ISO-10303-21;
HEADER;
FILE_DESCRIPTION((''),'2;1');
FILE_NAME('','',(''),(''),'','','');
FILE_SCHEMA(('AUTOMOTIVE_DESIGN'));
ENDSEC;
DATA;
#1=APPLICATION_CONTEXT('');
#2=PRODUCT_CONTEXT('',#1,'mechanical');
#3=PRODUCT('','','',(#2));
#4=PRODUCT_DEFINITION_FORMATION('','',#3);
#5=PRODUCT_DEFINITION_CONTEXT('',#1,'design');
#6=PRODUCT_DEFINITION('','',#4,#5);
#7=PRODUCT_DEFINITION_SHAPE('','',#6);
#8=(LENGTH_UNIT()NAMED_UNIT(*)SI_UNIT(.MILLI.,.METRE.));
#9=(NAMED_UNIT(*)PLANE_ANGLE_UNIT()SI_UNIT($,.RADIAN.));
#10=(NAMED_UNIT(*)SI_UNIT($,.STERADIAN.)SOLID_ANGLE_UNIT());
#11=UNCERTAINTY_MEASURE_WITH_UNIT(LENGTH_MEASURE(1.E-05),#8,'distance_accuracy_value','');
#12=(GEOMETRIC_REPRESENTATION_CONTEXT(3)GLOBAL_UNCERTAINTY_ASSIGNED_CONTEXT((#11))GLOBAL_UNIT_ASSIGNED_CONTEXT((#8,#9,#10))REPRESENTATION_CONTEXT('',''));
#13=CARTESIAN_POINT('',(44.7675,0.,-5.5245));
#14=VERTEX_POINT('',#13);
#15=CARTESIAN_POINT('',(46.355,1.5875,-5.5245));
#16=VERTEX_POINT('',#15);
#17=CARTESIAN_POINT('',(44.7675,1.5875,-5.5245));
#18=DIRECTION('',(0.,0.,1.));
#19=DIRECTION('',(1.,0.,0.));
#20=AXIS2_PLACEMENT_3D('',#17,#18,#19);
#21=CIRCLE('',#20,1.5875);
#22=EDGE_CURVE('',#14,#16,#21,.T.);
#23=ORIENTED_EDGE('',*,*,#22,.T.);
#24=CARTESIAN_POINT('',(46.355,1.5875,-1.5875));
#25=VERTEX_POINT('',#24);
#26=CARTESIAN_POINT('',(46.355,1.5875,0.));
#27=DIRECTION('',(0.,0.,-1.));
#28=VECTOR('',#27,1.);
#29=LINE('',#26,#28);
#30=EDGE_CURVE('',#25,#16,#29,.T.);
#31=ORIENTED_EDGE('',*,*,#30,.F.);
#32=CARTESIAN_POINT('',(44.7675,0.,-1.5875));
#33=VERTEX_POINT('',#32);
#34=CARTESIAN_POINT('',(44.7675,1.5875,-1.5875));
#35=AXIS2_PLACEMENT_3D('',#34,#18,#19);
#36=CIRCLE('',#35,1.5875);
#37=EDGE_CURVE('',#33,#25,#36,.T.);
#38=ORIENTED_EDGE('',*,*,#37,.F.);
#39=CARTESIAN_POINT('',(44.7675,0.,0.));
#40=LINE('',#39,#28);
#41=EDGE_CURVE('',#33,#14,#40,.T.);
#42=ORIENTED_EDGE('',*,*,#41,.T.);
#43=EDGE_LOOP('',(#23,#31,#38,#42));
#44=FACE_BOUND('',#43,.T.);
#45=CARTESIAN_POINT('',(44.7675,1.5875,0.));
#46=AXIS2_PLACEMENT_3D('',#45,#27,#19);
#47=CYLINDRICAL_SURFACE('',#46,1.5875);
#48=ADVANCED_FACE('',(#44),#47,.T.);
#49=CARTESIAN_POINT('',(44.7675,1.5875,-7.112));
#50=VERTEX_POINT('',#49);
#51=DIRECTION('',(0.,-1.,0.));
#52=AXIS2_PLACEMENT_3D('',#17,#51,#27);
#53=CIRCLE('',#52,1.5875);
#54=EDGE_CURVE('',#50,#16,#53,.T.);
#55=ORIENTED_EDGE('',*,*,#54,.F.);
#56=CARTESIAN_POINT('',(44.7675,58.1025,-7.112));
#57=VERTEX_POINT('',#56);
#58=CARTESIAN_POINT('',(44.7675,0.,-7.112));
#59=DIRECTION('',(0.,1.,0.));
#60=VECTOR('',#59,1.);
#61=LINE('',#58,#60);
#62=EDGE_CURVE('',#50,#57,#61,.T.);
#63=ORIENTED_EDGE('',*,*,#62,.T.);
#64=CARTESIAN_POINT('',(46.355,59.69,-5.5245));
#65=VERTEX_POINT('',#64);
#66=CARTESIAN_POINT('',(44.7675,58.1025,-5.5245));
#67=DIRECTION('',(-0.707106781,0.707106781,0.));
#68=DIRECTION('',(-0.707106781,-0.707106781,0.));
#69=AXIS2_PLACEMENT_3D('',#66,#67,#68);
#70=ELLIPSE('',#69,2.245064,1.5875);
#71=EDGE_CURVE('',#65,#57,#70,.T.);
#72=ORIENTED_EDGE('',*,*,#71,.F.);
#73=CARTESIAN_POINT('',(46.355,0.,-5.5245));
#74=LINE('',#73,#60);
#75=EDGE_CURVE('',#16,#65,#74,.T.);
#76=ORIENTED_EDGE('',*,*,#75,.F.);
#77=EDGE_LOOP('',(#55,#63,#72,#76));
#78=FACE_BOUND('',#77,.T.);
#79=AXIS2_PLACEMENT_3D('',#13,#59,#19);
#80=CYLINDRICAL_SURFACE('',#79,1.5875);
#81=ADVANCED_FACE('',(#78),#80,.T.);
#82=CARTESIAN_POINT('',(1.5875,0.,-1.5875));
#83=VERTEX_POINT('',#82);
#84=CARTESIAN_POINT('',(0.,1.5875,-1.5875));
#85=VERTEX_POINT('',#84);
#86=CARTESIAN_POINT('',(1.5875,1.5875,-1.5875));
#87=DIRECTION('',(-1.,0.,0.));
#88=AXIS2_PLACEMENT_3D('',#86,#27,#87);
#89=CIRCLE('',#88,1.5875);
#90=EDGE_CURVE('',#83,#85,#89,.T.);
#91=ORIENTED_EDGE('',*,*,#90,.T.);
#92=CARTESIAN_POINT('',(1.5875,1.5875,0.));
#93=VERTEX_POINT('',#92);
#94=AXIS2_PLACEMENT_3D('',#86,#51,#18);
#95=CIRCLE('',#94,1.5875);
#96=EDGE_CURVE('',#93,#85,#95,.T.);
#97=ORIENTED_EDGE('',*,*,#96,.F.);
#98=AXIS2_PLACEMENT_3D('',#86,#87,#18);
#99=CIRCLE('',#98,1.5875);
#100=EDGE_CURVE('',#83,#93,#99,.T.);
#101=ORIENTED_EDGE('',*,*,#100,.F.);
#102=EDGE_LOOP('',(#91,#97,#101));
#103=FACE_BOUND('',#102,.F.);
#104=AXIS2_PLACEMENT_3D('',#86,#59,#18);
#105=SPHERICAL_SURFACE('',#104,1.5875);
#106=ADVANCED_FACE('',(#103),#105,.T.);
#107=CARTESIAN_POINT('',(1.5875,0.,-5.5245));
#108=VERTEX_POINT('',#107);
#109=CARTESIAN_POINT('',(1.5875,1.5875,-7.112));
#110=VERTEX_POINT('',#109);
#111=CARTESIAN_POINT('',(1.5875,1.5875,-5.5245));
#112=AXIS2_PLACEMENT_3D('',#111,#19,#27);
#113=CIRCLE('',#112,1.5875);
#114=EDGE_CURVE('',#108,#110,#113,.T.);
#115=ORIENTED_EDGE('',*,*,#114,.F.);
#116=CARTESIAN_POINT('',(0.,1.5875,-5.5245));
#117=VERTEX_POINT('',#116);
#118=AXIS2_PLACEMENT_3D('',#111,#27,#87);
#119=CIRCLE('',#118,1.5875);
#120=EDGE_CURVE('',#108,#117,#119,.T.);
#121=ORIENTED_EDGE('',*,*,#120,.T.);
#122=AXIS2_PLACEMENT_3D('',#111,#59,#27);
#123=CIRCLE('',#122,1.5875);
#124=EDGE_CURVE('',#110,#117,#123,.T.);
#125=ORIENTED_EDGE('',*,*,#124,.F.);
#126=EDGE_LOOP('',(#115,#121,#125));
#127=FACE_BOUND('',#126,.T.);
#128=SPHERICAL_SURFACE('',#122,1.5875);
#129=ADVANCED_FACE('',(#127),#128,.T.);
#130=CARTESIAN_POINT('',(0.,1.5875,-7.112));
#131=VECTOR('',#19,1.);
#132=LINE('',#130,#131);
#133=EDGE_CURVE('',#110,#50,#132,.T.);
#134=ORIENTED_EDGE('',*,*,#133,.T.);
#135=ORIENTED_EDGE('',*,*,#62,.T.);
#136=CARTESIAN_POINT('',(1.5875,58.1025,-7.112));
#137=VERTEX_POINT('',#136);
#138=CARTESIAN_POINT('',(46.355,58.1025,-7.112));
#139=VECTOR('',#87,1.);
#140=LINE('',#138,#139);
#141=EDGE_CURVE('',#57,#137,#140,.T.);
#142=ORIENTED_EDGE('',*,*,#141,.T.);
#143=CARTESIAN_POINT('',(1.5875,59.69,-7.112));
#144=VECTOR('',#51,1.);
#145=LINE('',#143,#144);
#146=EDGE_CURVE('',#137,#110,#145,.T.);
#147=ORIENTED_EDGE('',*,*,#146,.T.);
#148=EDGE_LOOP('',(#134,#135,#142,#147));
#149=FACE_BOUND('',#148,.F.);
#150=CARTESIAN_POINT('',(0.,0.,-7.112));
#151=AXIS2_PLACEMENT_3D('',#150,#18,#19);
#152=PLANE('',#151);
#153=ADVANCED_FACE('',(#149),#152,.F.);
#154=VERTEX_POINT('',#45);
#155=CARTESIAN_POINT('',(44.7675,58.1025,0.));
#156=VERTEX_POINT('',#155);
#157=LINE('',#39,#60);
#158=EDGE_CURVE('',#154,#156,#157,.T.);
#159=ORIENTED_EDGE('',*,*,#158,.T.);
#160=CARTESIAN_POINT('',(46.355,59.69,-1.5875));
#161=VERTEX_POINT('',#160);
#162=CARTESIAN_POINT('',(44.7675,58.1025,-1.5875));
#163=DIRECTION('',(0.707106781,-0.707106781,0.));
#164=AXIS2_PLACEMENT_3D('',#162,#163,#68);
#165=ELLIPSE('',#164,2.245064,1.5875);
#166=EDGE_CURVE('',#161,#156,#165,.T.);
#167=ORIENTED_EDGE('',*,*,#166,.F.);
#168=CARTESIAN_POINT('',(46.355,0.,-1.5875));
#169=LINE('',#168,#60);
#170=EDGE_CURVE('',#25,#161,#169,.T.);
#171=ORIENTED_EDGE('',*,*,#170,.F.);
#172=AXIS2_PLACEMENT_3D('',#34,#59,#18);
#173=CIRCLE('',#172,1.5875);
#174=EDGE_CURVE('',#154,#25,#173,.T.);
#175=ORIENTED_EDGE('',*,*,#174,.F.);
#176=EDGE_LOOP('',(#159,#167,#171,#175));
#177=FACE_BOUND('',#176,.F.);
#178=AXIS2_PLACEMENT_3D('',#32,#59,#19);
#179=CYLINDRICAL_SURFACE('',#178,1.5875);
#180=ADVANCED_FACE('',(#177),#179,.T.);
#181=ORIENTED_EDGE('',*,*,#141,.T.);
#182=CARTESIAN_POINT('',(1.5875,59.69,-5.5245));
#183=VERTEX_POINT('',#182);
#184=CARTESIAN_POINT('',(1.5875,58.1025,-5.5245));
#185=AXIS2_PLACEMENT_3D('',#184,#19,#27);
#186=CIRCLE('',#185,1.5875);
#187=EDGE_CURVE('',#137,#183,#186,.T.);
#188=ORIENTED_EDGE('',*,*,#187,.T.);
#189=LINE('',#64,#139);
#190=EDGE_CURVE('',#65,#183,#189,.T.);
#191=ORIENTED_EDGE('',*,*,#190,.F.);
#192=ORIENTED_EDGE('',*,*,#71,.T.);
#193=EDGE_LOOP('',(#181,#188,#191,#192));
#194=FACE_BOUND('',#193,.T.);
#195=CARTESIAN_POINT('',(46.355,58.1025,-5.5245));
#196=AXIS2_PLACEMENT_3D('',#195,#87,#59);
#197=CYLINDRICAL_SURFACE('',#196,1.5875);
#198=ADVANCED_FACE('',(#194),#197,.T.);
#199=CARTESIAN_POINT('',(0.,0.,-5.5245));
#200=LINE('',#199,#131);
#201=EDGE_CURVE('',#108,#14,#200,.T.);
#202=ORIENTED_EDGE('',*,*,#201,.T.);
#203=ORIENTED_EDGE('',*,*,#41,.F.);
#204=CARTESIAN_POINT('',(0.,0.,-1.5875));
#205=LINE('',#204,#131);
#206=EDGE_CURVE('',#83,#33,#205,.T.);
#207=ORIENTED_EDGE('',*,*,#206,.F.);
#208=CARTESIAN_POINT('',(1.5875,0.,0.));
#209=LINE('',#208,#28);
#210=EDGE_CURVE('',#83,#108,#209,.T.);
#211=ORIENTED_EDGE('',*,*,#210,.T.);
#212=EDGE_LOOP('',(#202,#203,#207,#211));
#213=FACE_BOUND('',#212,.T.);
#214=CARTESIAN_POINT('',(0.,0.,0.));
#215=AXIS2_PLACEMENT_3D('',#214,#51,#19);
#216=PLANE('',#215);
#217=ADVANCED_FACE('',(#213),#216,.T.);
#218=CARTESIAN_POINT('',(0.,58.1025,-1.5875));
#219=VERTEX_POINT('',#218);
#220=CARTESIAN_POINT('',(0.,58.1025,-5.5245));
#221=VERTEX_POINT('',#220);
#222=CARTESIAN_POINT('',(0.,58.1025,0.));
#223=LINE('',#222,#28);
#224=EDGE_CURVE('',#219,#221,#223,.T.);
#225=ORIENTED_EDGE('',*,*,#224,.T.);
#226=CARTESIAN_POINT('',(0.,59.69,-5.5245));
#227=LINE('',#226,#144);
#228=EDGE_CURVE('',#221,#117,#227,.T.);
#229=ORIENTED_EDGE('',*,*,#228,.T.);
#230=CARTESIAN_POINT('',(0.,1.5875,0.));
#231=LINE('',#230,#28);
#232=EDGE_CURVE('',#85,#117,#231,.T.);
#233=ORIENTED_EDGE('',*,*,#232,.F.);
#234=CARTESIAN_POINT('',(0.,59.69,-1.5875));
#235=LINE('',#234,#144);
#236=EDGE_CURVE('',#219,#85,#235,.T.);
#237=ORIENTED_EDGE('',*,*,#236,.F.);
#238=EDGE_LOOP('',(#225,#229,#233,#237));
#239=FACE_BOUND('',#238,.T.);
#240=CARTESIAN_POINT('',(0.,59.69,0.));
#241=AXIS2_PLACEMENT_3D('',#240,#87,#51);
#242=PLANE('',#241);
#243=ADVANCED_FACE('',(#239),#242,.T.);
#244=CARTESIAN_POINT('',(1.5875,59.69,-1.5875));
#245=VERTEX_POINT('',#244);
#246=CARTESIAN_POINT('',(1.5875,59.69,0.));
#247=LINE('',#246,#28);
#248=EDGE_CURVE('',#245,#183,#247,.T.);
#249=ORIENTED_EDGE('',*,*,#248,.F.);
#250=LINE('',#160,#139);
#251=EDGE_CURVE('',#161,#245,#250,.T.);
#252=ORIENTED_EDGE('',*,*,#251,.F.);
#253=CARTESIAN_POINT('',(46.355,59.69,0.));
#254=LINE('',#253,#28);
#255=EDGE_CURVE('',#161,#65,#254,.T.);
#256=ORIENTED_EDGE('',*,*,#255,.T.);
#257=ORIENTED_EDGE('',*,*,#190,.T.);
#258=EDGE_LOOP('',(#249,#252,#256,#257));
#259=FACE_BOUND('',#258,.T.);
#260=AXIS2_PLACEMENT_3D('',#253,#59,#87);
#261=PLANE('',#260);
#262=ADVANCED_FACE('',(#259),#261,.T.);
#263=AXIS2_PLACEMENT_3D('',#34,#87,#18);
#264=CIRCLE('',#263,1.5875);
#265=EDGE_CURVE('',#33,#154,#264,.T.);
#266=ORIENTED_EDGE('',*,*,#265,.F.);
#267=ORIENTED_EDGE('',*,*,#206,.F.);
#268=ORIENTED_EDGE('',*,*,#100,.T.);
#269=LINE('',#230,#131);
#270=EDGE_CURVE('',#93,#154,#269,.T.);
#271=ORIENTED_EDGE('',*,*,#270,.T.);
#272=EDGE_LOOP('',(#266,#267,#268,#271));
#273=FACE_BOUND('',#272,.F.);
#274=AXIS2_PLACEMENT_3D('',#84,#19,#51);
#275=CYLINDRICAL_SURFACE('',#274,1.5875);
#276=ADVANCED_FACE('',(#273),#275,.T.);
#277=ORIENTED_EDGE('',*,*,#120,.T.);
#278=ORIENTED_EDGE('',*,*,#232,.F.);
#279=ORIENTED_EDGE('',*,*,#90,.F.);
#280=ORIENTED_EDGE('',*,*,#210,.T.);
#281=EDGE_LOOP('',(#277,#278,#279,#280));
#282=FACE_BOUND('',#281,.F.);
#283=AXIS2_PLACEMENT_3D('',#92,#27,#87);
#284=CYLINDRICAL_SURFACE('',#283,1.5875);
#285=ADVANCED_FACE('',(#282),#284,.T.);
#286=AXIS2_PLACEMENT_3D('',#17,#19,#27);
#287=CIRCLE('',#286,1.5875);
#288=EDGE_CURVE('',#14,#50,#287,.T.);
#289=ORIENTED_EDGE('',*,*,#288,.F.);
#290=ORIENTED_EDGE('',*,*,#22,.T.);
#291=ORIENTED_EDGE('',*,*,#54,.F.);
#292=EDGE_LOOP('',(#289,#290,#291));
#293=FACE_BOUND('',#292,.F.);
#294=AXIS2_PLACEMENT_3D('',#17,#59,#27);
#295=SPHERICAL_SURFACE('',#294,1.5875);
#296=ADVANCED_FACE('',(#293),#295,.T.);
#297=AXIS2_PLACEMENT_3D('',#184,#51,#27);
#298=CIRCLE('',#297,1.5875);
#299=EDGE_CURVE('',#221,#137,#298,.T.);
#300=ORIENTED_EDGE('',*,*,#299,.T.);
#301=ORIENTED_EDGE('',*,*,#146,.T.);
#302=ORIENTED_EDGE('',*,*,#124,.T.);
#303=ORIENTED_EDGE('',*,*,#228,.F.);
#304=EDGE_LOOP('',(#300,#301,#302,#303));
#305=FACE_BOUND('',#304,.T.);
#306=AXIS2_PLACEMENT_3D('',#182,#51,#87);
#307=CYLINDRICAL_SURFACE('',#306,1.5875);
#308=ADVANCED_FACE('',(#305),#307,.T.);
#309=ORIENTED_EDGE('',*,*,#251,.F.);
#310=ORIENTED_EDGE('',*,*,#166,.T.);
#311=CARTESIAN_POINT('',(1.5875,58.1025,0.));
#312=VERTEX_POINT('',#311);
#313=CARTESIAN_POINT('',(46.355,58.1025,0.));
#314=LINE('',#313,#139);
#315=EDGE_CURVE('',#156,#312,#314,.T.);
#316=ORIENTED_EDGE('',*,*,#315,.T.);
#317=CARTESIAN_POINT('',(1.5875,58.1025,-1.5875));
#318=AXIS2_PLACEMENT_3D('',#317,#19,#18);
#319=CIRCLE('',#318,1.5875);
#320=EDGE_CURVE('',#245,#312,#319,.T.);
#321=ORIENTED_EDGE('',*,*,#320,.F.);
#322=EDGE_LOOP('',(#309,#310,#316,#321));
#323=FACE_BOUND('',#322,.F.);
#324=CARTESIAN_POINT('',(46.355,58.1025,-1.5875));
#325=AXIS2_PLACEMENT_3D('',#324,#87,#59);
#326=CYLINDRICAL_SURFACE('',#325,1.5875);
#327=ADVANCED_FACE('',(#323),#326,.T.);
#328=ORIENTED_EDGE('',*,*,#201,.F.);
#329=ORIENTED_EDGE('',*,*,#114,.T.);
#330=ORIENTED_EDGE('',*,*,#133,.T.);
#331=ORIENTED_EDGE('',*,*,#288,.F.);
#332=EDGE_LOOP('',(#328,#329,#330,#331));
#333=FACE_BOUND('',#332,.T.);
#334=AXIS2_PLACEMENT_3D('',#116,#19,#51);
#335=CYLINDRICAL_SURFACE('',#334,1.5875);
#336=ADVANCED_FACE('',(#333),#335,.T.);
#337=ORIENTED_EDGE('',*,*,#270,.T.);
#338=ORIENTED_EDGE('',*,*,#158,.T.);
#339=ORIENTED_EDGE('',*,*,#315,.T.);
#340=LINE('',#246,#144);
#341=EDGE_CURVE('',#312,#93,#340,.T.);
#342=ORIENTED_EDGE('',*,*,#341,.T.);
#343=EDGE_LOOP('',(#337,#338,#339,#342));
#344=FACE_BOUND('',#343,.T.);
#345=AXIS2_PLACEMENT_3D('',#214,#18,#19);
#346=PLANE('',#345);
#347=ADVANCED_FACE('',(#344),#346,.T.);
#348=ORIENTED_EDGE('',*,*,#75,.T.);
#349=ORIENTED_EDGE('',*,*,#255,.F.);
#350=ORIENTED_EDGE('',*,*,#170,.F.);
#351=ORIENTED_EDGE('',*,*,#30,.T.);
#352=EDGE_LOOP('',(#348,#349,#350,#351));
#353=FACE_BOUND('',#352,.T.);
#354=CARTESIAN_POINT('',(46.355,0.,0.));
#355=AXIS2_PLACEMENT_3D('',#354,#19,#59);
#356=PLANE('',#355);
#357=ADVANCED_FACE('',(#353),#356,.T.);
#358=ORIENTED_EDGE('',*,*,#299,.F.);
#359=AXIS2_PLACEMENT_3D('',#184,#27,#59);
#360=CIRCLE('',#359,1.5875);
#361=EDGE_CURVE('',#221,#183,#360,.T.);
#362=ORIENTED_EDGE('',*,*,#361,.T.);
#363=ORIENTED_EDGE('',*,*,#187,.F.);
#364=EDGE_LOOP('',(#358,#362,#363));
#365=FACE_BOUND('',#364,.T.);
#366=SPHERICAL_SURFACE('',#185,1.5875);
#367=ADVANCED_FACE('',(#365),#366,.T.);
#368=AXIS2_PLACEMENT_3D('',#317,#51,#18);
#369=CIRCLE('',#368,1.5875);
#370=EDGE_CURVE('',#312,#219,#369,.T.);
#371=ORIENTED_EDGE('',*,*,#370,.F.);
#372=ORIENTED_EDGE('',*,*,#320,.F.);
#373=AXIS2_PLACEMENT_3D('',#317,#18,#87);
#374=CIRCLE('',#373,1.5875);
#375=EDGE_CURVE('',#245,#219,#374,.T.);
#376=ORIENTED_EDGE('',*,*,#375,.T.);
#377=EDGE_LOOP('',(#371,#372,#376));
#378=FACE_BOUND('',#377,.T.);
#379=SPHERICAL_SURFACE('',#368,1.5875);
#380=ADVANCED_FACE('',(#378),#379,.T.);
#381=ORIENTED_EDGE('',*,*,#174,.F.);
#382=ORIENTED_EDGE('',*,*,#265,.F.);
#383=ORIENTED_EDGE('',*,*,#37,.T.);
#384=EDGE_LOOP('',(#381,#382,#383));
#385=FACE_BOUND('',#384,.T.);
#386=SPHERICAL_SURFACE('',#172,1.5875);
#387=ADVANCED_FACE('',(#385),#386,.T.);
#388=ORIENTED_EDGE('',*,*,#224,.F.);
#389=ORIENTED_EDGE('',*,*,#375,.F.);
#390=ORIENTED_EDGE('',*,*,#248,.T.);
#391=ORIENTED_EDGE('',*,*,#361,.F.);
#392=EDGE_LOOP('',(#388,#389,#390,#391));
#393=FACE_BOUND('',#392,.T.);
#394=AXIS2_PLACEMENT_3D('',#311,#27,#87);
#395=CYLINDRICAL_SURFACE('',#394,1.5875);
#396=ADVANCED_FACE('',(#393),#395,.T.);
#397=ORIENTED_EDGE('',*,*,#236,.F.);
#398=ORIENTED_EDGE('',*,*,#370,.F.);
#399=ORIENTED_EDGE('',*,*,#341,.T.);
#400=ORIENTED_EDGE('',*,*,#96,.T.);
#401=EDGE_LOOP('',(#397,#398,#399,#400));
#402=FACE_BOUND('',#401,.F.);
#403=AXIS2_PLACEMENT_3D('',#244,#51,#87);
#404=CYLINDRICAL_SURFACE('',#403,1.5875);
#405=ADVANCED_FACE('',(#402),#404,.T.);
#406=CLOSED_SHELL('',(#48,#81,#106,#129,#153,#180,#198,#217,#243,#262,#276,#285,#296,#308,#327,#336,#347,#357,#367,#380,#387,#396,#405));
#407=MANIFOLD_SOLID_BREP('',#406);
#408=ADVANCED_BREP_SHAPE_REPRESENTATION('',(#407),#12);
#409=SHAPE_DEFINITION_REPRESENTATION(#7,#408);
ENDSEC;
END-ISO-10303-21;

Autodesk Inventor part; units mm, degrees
ref_plane "YZ Plane" through (0, 0, 0) normal (1, 0, 0) x (0, 1, 0)
ref_plane "XZ Plane" through (0, 0, 0) normal (0, 1, 0) x (-1, 0, 0)
ref_plane "XY Plane" through (0, 0, 0) normal (0, 0, 1) x (1, 0, 0)
sketch "Sketch1" plane through (0, 0, 0) normal (0, 0, 1) x (1, 0, 0)
  line L0 (0, 0) -> (46.355, 0)
  line L1 (46.355, 0) -> (46.355, 59.69)
  line L2 (46.355, 59.69) -> (0, 59.69)
  line L3 (0, 59.69) -> (0, 0)
  dimension "d0" = 46.355
  dimension "d1" = 59.69
extrude "Extrusion1" add sketch "Sketch1" against normal blind 7.112
fillet "Fillet1" radius 1.5875 11 edges at (0, 29.845, 0) (23.1775, 59.69, 0) (46.355, 29.845, 0) (23.1775, 0, 0) (23.1775, 59.69, -7.112) (46.355, 29.845, -7.112) (0, 29.845, -7.112) (23.1775, 0, -7.112) (46.355, 0, -3.556) (0, 59.69, -3.556) (0, 0, -3.556)
properties part number "328 Adafruit 2.5 Ah Lithium Battery"
